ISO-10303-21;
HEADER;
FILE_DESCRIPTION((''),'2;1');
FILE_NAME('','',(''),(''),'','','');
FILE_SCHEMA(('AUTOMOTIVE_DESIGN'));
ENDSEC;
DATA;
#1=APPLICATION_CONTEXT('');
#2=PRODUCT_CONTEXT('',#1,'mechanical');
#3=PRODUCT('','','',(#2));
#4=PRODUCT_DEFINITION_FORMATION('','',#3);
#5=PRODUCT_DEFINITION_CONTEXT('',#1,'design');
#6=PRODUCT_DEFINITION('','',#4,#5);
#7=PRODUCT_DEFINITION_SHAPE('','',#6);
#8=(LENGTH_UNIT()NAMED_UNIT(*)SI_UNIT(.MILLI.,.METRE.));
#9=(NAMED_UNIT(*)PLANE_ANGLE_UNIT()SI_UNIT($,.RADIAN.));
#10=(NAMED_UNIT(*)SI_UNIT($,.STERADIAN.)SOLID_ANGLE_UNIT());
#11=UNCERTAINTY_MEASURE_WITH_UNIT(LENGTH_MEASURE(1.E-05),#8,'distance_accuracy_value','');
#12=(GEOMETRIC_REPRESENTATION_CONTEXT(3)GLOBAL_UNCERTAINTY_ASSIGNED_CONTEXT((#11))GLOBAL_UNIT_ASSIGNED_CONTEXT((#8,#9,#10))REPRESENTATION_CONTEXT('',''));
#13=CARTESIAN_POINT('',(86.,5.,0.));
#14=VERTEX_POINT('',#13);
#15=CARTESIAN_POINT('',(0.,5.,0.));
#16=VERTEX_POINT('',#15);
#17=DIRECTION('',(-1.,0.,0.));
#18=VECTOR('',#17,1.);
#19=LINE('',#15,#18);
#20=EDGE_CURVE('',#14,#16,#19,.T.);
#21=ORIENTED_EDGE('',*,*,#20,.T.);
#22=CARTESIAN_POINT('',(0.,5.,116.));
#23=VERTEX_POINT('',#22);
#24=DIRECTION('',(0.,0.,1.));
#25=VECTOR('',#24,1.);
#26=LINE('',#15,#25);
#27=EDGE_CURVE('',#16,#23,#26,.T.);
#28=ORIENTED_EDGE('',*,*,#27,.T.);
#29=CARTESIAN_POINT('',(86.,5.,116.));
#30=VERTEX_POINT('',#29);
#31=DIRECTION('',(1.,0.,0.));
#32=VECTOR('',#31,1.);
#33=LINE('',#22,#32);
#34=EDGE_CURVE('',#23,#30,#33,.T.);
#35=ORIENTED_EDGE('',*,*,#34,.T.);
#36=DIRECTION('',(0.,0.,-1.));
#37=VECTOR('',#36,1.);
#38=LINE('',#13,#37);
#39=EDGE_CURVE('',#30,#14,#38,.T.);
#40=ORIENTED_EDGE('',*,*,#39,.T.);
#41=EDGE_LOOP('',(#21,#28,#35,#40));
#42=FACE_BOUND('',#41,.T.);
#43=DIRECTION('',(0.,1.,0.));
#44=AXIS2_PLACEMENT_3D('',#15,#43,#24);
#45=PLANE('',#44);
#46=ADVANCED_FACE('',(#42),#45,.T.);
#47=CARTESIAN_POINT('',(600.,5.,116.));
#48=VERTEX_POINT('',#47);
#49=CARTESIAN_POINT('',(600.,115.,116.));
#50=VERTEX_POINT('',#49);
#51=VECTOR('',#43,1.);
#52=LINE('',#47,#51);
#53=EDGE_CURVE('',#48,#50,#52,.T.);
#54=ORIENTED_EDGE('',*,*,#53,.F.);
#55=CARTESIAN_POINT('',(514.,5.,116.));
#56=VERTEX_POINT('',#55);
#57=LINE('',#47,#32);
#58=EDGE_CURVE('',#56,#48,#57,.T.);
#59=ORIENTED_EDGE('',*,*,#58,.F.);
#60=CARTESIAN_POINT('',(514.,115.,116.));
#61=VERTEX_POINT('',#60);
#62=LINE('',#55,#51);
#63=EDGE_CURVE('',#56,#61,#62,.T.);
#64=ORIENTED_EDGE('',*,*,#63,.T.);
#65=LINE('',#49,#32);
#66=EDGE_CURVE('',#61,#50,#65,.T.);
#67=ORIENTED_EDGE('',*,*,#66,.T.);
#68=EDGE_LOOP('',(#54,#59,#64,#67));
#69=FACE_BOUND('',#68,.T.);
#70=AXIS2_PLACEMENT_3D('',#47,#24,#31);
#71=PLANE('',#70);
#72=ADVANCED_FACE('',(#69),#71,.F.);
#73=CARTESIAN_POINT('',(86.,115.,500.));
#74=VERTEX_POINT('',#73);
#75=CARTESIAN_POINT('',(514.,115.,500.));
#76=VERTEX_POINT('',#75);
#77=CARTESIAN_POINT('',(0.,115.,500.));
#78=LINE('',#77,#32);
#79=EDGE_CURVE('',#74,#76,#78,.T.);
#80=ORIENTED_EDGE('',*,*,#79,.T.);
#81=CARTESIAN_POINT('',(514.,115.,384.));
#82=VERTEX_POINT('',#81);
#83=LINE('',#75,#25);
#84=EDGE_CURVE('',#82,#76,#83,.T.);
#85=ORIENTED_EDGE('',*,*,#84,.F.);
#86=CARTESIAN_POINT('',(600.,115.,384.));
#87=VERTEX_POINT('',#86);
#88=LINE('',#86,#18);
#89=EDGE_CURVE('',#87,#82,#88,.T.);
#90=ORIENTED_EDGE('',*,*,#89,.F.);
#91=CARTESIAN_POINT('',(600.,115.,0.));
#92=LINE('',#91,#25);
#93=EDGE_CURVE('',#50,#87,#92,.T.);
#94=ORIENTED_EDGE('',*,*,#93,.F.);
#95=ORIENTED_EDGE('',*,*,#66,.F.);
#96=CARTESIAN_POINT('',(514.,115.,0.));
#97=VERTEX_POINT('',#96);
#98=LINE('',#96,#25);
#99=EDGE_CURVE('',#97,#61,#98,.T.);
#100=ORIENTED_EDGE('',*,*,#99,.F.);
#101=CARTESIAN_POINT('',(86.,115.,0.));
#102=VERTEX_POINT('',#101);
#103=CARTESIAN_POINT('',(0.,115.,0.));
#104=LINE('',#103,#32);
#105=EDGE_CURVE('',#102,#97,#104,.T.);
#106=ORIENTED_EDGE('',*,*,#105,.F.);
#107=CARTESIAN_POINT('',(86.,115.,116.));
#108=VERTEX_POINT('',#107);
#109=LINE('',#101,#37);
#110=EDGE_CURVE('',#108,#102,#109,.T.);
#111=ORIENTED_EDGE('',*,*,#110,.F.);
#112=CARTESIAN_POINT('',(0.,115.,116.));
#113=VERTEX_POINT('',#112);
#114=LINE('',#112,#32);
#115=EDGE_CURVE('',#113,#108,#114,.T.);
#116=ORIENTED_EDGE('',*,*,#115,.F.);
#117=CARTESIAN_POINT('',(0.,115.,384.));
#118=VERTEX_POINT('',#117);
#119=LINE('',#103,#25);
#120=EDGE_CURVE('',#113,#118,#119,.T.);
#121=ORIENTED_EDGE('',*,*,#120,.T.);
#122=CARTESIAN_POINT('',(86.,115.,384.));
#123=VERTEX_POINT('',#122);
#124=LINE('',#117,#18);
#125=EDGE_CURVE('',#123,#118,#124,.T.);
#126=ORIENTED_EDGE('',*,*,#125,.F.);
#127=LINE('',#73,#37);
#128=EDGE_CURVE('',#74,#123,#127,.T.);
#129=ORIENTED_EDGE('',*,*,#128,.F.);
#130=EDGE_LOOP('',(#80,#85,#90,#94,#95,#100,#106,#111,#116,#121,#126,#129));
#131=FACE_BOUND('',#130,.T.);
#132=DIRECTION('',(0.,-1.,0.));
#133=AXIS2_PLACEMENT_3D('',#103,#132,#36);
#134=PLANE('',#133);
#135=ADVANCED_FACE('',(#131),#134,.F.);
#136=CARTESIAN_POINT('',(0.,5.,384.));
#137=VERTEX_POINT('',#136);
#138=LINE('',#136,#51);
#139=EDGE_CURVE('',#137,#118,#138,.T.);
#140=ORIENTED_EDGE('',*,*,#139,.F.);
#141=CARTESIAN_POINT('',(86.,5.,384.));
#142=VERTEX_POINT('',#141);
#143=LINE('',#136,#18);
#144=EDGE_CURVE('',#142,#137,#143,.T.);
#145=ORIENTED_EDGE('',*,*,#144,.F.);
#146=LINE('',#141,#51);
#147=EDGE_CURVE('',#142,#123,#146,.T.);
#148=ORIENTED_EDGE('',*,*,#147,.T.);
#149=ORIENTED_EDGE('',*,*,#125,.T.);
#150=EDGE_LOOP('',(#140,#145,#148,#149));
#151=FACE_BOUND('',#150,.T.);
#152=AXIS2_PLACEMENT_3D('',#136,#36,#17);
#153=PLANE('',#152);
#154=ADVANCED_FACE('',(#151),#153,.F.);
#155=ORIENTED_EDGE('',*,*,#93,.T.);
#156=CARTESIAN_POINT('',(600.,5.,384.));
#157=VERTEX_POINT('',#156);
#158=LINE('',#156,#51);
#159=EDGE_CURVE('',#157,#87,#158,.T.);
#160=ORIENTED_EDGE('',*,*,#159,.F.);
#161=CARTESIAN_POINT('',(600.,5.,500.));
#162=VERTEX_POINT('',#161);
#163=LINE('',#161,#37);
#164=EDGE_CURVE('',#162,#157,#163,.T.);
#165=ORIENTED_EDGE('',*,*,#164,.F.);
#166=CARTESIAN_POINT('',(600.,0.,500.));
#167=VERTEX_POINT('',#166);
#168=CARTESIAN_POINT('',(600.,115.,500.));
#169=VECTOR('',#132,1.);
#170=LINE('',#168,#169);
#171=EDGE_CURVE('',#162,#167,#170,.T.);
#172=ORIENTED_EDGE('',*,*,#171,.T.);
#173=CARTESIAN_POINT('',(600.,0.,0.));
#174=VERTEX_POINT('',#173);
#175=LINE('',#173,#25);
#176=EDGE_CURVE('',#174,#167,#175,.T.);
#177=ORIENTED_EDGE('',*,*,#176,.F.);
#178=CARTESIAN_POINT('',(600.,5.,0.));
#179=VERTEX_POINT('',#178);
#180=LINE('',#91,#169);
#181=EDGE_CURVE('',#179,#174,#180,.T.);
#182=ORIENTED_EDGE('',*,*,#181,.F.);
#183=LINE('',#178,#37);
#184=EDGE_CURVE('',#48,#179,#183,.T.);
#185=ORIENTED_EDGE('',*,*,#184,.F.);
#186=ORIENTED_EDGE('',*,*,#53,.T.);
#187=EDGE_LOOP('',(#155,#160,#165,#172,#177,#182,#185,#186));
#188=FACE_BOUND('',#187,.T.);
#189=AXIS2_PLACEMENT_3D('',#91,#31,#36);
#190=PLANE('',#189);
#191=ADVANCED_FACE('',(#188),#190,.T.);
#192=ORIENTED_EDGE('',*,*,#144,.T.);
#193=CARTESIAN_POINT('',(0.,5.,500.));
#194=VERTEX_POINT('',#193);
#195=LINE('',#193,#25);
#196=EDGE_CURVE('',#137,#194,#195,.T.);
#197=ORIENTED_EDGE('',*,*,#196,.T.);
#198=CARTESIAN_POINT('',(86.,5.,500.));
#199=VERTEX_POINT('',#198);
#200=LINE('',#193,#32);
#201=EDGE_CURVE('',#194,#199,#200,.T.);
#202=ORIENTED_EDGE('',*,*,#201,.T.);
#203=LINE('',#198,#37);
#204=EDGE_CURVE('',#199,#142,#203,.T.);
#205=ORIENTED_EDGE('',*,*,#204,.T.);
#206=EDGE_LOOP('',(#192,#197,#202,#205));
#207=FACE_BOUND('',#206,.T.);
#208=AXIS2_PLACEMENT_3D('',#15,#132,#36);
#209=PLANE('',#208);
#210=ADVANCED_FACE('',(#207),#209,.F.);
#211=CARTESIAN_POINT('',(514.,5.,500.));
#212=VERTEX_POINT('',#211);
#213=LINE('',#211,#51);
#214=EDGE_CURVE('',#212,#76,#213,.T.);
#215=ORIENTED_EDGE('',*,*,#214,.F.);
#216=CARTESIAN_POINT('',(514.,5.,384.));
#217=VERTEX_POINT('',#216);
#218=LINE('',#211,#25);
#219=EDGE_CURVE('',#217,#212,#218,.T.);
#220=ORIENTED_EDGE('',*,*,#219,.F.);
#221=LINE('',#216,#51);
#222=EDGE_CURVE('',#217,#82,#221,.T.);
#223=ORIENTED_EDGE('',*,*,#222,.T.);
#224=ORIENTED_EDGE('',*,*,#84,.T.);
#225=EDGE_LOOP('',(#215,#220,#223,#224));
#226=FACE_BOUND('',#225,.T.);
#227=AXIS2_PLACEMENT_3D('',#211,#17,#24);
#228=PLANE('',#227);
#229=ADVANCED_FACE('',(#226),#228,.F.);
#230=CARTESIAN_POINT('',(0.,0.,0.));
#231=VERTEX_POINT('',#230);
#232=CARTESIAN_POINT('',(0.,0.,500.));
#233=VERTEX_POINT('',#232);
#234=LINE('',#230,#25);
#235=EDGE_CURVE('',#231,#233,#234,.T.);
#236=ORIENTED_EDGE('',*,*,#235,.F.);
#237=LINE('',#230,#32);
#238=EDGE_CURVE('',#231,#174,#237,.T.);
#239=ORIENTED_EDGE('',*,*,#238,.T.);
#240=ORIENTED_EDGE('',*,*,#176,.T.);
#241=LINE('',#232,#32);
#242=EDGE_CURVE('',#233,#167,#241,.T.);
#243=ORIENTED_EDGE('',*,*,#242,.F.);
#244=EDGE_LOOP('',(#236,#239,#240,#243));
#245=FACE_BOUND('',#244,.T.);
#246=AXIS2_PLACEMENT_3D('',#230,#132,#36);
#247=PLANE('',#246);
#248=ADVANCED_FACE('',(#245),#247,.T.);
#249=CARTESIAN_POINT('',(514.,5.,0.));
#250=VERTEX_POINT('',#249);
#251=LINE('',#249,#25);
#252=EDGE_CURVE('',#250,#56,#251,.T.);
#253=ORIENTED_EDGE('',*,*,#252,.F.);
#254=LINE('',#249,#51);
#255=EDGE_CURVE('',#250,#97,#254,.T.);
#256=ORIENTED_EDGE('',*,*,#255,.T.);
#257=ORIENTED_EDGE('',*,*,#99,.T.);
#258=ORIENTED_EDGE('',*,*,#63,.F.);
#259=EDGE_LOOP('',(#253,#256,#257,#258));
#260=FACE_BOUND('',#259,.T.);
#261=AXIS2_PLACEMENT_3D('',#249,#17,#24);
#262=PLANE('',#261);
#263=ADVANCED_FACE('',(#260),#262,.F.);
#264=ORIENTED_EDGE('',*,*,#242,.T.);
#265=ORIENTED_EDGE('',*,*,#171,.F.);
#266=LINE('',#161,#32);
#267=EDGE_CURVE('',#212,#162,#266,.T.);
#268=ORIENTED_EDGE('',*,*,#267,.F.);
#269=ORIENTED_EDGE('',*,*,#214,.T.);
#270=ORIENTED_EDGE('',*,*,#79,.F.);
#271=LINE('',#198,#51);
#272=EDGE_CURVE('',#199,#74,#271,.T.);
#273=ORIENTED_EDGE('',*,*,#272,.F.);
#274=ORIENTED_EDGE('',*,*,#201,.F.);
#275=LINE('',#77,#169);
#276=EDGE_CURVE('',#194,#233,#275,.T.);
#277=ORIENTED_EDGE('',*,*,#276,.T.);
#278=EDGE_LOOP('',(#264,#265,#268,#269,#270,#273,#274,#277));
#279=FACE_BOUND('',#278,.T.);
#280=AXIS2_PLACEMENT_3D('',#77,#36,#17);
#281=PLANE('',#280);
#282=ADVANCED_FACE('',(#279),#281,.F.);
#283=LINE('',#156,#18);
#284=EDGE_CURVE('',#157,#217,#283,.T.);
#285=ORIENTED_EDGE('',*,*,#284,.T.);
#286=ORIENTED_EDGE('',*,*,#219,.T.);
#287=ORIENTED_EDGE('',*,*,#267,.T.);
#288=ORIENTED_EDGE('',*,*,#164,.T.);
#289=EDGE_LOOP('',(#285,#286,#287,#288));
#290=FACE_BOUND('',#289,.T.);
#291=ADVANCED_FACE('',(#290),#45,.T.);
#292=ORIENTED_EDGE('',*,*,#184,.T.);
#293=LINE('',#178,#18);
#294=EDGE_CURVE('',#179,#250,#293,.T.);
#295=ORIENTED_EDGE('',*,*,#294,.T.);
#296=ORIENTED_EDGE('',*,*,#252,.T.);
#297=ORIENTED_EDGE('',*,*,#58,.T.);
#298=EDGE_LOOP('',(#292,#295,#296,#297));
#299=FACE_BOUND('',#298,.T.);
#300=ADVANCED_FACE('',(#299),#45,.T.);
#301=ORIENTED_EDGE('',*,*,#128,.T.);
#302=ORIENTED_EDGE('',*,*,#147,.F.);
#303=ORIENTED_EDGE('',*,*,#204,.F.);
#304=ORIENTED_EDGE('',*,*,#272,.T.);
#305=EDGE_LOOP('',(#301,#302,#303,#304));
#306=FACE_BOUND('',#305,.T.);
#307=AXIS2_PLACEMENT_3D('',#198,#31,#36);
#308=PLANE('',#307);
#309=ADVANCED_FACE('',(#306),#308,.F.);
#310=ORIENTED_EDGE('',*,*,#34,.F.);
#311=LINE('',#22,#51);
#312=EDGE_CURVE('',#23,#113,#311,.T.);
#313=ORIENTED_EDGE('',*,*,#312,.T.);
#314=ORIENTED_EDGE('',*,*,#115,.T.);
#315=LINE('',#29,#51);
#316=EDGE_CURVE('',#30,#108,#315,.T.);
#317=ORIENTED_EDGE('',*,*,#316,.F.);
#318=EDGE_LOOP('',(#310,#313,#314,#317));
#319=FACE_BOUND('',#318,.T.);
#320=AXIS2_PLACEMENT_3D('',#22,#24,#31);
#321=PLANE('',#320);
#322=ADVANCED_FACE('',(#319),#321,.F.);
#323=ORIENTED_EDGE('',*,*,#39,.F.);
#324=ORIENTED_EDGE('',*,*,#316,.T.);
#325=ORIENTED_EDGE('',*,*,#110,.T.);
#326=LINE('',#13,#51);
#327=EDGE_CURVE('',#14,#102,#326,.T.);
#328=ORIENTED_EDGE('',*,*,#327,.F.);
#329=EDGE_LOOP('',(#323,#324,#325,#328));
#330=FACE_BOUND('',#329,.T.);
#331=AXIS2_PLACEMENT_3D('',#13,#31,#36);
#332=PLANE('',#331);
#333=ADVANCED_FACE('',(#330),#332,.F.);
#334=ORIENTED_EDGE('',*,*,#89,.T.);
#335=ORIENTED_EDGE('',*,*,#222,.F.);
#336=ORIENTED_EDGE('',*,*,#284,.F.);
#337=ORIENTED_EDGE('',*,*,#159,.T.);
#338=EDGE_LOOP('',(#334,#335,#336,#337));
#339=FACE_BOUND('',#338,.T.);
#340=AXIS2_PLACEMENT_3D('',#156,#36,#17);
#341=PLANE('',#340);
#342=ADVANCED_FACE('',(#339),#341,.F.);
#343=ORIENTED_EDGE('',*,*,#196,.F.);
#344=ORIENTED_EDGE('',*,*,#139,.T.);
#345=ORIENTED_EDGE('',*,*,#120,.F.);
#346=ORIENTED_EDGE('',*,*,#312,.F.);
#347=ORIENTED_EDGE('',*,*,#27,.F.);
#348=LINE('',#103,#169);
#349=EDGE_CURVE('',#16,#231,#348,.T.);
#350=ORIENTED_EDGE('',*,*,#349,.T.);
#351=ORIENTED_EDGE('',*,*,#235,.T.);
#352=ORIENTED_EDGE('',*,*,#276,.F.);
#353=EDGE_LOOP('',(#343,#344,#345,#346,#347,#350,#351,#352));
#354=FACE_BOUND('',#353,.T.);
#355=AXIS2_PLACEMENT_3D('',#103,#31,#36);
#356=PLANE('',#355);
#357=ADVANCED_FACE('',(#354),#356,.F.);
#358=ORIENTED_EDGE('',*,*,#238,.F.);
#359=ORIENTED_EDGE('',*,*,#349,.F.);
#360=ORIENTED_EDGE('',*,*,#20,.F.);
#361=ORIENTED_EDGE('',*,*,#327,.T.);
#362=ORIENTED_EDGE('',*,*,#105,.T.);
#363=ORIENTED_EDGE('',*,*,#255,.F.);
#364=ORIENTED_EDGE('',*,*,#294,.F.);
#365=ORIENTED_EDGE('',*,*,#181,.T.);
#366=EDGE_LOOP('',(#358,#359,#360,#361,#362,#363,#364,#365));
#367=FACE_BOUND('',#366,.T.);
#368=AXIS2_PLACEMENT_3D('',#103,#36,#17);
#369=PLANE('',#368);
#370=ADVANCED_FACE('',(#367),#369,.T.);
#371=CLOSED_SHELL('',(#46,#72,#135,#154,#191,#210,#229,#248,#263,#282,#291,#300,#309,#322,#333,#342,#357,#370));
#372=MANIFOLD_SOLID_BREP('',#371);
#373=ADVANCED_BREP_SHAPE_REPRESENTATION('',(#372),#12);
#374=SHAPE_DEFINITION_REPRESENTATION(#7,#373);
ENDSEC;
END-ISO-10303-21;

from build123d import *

# Parameters (mm, degrees)
SKETCH1_W           = 600
SKETCH1_H           = 500
BOSS_EXTRUDE1_DEPTH = 115
SKETCH3_W           = 86
SKETCH3_H           = 116
CUT_EXTRUDE1_DEPTH  = 110


with BuildPart() as part:
    # Sketch1 → Boss-Extrude1 (new body)
    with BuildSketch(Plane(origin=(0, 0, 0), x_dir=(1, 0, 0), z_dir=(0, 1, 0))):
        with Locations((300, -250)):
            Rectangle(SKETCH1_W, SKETCH1_H)
    extrude(amount=BOSS_EXTRUDE1_DEPTH)

    # Sketch3 → Cut-Extrude1 (cut)
    with BuildSketch(Plane(origin=(0, 115, 0), x_dir=(1, 0, 0), z_dir=(0, 1, 0))):
        with Locations((43, -442)):
            Rectangle(SKETCH3_W, SKETCH3_H)
        with Locations((43, -58)):
            Rectangle(SKETCH3_W, SKETCH3_H)
        with Locations((557, -58)):
            Rectangle(SKETCH3_W, SKETCH3_H)
        with Locations((557, -442)):
            Rectangle(SKETCH3_W, SKETCH3_H)
    extrude(amount=-CUT_EXTRUDE1_DEPTH, mode=Mode.SUBTRACT)


solid = part.part
